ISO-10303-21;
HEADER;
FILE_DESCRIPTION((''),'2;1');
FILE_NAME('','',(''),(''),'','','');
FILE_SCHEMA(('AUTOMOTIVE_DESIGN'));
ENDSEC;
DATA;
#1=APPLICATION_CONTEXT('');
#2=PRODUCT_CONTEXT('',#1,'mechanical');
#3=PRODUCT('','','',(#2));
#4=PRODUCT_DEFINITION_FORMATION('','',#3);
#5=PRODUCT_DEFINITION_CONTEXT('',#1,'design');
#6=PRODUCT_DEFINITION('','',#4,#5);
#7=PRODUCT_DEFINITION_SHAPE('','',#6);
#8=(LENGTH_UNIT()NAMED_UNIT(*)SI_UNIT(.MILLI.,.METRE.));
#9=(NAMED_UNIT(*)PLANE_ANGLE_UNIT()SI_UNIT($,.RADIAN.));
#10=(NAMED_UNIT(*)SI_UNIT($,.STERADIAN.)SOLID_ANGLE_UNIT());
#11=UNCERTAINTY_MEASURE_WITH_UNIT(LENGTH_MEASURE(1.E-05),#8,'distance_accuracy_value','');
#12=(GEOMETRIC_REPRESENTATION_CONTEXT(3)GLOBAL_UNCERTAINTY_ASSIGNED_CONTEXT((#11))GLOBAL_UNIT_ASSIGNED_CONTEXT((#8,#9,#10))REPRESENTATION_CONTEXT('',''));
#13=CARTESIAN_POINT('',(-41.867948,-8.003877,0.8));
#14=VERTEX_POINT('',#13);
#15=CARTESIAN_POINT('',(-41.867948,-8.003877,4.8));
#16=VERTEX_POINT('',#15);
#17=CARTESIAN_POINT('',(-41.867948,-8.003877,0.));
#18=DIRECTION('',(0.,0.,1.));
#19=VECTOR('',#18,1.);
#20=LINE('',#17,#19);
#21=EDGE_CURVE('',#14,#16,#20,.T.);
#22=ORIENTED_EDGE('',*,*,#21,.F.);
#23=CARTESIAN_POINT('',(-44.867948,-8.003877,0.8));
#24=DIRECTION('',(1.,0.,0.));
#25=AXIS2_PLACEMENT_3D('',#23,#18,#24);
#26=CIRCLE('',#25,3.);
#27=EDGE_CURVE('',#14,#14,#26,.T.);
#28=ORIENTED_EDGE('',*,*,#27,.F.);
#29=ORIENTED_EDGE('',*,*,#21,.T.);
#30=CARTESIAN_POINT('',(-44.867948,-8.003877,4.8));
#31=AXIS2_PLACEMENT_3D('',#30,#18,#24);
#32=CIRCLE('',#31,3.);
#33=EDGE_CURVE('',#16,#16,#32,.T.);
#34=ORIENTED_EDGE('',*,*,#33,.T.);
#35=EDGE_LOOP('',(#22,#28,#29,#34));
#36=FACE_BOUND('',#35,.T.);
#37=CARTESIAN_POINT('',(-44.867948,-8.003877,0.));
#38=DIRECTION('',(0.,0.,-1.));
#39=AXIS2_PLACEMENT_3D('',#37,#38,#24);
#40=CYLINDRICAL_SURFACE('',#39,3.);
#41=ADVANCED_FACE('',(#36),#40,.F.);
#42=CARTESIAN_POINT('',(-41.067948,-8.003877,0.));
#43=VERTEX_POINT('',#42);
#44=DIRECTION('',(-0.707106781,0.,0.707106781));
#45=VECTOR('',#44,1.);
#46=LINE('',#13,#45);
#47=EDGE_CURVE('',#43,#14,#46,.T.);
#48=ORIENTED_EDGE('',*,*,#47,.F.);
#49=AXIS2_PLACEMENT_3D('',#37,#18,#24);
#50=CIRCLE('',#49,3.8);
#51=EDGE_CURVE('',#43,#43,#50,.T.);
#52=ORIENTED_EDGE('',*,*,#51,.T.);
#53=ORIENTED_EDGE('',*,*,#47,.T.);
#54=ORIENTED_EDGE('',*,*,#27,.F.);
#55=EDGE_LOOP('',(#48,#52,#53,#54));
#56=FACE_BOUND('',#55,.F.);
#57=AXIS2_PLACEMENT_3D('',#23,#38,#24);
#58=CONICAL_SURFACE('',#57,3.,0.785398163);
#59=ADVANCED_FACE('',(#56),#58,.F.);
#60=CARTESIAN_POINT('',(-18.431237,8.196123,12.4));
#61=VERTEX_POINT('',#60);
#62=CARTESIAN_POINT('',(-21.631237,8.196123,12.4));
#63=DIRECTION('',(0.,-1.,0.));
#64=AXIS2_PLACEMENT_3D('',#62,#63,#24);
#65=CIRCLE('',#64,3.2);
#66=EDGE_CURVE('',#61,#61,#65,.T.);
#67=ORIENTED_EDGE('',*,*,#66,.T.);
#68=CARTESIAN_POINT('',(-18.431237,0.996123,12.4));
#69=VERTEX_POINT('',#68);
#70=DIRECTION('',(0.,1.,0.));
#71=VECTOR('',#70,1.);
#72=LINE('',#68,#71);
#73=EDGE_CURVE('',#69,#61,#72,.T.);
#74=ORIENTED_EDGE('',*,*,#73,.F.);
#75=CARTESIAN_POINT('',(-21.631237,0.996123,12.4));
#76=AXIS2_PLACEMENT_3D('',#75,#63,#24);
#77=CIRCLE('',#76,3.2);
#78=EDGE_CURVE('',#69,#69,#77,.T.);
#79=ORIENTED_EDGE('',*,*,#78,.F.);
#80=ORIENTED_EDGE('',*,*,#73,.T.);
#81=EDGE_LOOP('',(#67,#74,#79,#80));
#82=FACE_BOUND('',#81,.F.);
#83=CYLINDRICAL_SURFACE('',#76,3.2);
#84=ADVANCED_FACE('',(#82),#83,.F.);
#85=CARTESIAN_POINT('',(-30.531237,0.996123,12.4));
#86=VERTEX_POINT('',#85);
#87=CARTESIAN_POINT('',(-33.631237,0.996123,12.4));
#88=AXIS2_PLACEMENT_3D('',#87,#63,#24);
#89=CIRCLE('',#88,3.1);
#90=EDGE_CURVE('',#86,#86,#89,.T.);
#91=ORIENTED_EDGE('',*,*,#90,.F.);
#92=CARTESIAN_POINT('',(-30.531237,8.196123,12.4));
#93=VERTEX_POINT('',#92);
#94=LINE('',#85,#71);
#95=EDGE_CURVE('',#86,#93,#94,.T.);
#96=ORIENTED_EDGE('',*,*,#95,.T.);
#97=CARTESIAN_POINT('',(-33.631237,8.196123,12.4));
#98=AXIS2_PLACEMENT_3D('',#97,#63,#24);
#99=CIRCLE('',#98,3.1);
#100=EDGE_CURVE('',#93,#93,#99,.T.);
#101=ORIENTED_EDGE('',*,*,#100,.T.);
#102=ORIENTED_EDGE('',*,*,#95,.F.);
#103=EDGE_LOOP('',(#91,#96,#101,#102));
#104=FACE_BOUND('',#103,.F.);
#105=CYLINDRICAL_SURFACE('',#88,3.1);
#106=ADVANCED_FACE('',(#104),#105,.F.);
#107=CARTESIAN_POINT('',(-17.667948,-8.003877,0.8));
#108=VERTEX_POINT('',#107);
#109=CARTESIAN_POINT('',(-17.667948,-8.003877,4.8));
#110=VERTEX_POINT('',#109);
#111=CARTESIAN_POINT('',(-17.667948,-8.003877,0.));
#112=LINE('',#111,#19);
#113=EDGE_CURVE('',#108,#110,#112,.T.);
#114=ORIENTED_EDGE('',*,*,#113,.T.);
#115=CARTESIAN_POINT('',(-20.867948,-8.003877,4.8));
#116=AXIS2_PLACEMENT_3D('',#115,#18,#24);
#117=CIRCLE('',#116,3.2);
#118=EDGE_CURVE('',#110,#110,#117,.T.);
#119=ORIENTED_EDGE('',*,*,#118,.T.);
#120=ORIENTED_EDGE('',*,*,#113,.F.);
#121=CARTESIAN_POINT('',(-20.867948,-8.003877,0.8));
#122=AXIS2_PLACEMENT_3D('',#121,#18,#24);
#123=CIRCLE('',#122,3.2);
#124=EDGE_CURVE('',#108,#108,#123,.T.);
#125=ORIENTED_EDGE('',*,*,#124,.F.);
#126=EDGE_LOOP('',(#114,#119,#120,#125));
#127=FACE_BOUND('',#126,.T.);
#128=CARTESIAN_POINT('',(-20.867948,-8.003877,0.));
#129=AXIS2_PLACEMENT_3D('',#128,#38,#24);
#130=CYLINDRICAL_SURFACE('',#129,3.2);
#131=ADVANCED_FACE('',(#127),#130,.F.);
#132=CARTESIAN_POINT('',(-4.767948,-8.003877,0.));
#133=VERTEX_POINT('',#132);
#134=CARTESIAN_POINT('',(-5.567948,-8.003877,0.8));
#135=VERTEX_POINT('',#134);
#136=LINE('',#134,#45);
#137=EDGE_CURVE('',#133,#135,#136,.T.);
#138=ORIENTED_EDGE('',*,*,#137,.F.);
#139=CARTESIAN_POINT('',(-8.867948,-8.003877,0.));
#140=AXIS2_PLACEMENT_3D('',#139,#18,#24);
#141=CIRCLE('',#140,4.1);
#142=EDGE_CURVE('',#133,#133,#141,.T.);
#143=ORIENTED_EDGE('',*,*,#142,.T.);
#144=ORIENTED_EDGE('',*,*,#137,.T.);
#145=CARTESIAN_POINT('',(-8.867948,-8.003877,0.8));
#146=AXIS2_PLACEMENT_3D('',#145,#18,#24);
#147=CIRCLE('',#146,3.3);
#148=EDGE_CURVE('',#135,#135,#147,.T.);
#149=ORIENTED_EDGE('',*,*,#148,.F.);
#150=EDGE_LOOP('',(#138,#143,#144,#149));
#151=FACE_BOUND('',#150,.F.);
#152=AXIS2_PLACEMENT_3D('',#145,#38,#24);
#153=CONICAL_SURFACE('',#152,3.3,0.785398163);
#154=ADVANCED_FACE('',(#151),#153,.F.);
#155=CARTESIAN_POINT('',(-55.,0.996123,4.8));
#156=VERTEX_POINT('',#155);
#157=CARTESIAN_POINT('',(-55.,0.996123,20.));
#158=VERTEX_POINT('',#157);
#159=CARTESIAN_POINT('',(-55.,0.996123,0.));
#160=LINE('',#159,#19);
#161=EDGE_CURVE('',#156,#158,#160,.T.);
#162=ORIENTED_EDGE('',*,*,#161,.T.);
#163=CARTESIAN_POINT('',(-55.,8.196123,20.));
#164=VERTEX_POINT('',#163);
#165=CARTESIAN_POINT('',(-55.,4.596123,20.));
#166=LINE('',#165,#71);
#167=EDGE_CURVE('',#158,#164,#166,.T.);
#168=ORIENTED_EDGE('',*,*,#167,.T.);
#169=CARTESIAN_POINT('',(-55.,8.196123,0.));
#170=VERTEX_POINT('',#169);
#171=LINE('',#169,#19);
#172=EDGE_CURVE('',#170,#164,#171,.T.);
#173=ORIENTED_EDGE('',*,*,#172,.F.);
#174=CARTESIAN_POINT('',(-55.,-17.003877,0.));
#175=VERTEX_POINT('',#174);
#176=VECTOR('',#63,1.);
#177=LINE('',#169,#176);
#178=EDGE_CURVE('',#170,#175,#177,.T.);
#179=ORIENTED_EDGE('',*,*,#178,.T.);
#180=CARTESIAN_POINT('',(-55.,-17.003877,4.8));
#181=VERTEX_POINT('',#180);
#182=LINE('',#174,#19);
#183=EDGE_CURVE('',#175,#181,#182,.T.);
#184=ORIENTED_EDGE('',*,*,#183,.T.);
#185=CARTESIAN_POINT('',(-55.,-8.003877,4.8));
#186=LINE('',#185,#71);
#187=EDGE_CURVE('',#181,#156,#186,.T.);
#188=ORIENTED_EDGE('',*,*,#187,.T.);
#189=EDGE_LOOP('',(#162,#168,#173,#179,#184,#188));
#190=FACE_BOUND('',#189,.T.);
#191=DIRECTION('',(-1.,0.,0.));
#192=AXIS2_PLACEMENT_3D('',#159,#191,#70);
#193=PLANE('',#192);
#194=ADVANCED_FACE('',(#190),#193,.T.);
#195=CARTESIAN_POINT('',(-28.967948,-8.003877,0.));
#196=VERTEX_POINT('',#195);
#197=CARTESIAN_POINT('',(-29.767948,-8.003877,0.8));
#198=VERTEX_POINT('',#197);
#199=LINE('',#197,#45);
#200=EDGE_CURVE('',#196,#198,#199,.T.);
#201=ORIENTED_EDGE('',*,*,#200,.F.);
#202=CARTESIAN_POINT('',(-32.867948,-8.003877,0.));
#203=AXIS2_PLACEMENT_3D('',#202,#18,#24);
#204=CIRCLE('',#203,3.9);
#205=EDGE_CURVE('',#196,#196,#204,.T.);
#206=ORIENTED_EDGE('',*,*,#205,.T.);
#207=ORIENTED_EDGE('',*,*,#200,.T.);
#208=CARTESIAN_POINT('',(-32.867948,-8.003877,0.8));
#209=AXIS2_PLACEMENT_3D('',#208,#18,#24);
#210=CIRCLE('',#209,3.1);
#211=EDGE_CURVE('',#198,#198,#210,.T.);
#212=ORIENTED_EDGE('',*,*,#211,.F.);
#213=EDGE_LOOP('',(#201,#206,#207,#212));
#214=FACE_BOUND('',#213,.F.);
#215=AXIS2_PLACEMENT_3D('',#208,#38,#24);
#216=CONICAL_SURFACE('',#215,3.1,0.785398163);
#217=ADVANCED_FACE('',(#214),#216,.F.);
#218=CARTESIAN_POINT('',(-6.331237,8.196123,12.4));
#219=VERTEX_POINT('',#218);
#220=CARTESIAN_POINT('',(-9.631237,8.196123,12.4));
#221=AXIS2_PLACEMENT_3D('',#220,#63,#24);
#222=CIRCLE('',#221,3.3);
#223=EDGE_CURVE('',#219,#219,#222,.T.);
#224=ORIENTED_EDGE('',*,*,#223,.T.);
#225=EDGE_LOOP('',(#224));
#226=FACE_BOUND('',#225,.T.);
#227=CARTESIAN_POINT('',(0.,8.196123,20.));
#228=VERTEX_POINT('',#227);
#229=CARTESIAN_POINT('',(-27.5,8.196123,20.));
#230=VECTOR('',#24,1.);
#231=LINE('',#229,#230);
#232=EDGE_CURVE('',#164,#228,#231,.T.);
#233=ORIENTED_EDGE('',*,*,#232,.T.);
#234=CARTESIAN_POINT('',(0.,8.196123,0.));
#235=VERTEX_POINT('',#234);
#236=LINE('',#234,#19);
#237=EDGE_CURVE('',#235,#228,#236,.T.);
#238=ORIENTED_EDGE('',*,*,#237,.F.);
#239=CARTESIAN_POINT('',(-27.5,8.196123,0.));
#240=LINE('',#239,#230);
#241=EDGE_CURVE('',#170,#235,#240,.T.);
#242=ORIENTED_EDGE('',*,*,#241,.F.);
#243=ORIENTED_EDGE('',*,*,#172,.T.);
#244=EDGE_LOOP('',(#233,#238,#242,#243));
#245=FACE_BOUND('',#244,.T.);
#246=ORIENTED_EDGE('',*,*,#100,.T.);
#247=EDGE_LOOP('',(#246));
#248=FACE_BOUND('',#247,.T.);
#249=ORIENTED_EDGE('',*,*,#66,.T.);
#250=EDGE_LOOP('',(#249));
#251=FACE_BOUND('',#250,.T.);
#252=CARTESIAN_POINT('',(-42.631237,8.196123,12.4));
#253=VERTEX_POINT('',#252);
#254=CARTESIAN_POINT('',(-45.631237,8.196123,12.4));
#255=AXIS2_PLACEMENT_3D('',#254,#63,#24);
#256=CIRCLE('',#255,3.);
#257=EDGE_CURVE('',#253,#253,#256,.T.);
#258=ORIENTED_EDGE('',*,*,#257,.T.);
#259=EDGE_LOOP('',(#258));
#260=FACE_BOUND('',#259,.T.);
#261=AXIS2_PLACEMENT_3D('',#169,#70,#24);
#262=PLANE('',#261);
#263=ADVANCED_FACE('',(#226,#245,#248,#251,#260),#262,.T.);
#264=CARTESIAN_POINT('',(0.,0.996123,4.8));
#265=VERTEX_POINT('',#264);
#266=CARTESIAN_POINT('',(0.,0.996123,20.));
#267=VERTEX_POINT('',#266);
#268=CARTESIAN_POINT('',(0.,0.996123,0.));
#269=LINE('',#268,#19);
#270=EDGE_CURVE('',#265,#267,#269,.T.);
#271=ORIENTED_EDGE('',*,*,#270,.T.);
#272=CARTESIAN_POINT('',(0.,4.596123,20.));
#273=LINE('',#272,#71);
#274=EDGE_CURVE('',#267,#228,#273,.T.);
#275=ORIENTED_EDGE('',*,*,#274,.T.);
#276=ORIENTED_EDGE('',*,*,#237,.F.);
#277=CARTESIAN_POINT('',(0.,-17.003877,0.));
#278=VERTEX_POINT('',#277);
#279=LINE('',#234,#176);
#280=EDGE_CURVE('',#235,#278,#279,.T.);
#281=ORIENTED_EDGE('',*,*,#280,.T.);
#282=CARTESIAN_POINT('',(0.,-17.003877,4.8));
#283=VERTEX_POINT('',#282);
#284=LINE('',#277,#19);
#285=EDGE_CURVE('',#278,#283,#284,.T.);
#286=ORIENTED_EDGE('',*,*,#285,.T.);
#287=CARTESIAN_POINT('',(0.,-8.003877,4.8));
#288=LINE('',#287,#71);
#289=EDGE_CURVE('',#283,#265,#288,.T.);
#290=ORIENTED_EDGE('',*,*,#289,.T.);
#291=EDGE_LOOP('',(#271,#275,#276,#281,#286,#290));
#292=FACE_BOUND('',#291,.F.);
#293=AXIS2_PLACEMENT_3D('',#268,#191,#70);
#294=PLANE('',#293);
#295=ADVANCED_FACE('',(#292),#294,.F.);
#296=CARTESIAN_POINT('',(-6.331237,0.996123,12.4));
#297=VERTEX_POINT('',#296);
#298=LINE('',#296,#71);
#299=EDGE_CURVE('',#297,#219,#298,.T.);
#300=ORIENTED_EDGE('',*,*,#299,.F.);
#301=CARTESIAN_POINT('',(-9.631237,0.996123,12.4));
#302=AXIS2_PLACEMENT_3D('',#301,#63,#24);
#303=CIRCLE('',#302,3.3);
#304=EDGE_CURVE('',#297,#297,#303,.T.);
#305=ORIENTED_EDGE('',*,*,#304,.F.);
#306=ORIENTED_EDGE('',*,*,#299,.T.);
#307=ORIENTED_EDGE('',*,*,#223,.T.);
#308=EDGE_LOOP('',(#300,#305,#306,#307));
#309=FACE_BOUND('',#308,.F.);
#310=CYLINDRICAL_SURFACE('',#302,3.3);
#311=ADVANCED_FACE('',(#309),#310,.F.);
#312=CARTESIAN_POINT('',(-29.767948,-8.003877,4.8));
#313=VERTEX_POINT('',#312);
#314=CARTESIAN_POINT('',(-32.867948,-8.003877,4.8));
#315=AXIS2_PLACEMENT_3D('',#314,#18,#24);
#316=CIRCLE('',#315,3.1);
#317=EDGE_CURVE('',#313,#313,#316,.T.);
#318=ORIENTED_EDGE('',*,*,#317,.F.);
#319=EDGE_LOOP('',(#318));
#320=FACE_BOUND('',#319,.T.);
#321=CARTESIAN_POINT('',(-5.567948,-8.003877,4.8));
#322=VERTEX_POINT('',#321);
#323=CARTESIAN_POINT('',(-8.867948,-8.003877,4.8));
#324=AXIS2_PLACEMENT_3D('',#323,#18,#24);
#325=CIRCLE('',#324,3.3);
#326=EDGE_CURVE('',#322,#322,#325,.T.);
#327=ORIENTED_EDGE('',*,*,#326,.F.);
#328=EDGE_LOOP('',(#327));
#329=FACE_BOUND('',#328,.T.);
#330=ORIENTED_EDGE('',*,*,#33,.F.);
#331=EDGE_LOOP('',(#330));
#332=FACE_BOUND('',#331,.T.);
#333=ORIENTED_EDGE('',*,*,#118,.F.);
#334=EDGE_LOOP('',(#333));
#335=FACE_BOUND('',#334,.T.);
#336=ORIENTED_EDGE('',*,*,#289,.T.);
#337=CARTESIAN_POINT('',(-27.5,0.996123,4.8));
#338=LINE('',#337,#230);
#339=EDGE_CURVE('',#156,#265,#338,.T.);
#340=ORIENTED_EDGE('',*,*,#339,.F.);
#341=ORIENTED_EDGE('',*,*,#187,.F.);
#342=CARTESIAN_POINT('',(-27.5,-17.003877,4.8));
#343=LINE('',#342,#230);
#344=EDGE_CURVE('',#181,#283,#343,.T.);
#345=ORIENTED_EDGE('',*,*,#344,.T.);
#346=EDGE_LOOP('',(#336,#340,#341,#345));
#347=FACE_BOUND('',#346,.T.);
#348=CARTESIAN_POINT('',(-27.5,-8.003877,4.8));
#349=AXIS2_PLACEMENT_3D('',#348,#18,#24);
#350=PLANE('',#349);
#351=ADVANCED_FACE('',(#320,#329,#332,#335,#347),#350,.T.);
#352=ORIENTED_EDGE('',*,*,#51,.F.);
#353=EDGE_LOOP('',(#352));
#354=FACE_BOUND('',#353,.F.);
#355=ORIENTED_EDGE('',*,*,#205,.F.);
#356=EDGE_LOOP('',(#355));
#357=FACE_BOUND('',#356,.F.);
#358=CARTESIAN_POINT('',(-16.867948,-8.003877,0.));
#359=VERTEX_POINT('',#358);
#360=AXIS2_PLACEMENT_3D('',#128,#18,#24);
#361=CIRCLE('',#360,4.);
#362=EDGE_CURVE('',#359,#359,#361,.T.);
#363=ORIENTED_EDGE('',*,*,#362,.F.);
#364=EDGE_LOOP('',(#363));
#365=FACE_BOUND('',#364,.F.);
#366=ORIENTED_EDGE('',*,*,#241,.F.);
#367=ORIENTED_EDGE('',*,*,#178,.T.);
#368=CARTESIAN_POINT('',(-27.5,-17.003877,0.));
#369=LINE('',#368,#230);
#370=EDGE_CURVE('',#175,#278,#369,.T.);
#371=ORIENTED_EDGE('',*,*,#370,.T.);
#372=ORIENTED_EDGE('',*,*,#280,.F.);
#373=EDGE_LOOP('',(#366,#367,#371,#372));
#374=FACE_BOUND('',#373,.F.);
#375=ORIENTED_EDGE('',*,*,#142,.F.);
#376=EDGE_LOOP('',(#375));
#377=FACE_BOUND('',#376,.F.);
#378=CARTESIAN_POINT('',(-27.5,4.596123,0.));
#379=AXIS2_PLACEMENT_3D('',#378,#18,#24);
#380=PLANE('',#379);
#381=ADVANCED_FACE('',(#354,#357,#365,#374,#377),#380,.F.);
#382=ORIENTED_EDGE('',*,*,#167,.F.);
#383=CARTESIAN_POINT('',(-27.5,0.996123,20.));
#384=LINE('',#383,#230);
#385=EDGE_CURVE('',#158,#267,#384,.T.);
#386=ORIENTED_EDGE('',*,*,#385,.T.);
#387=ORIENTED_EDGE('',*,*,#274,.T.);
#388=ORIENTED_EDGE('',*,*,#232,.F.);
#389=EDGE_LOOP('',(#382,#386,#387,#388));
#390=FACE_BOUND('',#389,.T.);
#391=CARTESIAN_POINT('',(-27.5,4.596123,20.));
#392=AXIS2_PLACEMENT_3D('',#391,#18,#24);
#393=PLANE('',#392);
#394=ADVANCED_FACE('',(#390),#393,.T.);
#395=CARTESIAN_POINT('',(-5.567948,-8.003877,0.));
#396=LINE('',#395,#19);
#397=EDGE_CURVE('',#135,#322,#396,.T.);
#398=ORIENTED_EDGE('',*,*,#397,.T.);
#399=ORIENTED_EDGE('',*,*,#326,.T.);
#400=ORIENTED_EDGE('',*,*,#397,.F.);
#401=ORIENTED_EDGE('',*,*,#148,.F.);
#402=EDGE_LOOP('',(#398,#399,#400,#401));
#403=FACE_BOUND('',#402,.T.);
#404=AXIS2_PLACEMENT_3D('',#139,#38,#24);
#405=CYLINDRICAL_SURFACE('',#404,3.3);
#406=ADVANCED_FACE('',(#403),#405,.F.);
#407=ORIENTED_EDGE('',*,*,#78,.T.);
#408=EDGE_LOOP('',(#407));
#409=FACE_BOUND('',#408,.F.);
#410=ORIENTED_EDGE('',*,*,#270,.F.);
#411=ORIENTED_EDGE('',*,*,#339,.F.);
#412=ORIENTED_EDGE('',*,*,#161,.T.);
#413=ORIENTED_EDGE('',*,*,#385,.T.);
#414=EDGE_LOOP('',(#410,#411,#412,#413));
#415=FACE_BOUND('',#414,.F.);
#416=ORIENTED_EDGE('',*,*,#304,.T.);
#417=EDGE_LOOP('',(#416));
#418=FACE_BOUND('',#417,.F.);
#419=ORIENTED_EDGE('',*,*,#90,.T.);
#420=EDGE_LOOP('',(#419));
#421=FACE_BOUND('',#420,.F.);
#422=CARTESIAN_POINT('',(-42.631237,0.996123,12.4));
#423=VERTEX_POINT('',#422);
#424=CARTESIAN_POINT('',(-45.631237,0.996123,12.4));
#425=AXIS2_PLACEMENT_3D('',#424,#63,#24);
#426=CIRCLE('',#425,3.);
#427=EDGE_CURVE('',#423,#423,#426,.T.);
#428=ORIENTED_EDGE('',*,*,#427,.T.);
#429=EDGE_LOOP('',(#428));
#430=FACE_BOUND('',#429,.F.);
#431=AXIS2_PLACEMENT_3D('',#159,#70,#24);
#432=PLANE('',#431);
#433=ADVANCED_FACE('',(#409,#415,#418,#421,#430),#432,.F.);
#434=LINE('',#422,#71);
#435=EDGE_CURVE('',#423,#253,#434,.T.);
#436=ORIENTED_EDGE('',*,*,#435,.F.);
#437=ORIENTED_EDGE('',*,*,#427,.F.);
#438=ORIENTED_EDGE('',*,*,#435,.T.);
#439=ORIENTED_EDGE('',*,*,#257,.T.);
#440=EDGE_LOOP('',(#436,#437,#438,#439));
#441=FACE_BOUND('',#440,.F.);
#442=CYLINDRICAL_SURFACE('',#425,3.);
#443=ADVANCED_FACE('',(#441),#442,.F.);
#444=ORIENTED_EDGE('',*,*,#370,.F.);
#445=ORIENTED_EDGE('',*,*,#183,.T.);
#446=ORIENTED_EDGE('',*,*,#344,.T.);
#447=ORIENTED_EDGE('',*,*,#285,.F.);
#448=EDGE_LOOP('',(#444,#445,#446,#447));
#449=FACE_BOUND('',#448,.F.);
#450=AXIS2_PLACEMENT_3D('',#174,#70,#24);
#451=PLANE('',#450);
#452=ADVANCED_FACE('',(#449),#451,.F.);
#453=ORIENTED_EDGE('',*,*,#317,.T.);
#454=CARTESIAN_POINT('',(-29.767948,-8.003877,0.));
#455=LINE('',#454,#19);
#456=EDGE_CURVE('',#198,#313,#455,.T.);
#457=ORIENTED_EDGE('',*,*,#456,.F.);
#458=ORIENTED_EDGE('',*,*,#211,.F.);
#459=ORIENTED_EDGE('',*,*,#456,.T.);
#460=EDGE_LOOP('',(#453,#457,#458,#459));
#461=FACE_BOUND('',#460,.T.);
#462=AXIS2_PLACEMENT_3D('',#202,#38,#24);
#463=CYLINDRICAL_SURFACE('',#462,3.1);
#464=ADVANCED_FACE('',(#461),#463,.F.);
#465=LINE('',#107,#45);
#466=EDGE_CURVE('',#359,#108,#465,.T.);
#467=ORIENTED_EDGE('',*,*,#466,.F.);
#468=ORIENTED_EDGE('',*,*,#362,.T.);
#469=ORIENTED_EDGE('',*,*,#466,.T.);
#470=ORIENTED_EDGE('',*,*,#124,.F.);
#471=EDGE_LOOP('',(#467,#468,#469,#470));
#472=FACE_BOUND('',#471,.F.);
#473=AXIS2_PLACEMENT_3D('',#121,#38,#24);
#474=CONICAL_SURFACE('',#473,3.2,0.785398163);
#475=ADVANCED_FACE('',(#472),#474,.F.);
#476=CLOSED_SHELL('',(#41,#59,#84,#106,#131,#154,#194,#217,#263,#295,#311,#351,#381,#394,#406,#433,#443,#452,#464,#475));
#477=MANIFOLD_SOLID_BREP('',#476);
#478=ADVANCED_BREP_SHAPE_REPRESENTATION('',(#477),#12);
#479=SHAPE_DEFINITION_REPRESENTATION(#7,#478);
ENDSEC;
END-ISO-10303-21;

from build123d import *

# Parameters (mm, degrees)
F0_W     = 55
F0_H     = 18
F0_R     = 3
F0_R_2   = 3.1
F0_R_3   = 3.2
F0_R_4   = 3.3
F1_DEPTH = 4.8
F0_H_2   = 7.2
F2_DEPTH = 20
F3_R     = 3
F3_R_2   = 3.1
F3_R_3   = 3.2
F3_R_4   = 3.3
F4_DEPTH = 25
F5_SIZE  = 0.8


with BuildPart() as f1:
    # F0 (on Top) → F1 (new body)
    with BuildSketch(Plane.XY):
        with Locations((-27.5, -8.003877)):
            Rectangle(F0_W, F0_H)
        with Locations((-44.867948, -8.003877)):
            Circle(F0_R, mode=Mode.SUBTRACT)
        with Locations((-32.867948, -8.003877)):
            Circle(F0_R_2, mode=Mode.SUBTRACT)
        with Locations((-20.867948, -8.003877)):
            Circle(F0_R_3, mode=Mode.SUBTRACT)
        with Locations((-8.867948, -8.003877)):
            Circle(F0_R_4, mode=Mode.SUBTRACT)
    extrude(amount=F1_DEPTH)

    # F0 (on Top) → F2 (join)
    with BuildSketch(Plane.XY):
        with Locations((-27.5, 4.596123)):
            Rectangle(F0_W, F0_H_2)
    extrude(amount=F2_DEPTH)

    # F3 (on face) → F4 (cut)
    with BuildSketch(Plane.XZ.offset(-0.996123)):
        with Locations((-45.631237, 12.4)):
            Circle(F3_R)
        with Locations((-33.631237, 12.4)):
            Circle(F3_R_2)
        with Locations((-21.631237, 12.4)):
            Circle(F3_R_3)
        with Locations((-9.631237, 12.4)):
            Circle(F3_R_4)
    extrude(amount=-F4_DEPTH, mode=Mode.SUBTRACT)

    # F5
    f5_edges = [f1.edges().sort_by_distance(p)[0] for p in [
        (-47.867948, -8.003877, 0),
        (-35.967948, -8.003877, 0),
        (-24.067948, -8.003877, 0),
        (-12.167948, -8.003877, 0),
    ]]
    chamfer(f5_edges, length=F5_SIZE)


solid = f1.part
